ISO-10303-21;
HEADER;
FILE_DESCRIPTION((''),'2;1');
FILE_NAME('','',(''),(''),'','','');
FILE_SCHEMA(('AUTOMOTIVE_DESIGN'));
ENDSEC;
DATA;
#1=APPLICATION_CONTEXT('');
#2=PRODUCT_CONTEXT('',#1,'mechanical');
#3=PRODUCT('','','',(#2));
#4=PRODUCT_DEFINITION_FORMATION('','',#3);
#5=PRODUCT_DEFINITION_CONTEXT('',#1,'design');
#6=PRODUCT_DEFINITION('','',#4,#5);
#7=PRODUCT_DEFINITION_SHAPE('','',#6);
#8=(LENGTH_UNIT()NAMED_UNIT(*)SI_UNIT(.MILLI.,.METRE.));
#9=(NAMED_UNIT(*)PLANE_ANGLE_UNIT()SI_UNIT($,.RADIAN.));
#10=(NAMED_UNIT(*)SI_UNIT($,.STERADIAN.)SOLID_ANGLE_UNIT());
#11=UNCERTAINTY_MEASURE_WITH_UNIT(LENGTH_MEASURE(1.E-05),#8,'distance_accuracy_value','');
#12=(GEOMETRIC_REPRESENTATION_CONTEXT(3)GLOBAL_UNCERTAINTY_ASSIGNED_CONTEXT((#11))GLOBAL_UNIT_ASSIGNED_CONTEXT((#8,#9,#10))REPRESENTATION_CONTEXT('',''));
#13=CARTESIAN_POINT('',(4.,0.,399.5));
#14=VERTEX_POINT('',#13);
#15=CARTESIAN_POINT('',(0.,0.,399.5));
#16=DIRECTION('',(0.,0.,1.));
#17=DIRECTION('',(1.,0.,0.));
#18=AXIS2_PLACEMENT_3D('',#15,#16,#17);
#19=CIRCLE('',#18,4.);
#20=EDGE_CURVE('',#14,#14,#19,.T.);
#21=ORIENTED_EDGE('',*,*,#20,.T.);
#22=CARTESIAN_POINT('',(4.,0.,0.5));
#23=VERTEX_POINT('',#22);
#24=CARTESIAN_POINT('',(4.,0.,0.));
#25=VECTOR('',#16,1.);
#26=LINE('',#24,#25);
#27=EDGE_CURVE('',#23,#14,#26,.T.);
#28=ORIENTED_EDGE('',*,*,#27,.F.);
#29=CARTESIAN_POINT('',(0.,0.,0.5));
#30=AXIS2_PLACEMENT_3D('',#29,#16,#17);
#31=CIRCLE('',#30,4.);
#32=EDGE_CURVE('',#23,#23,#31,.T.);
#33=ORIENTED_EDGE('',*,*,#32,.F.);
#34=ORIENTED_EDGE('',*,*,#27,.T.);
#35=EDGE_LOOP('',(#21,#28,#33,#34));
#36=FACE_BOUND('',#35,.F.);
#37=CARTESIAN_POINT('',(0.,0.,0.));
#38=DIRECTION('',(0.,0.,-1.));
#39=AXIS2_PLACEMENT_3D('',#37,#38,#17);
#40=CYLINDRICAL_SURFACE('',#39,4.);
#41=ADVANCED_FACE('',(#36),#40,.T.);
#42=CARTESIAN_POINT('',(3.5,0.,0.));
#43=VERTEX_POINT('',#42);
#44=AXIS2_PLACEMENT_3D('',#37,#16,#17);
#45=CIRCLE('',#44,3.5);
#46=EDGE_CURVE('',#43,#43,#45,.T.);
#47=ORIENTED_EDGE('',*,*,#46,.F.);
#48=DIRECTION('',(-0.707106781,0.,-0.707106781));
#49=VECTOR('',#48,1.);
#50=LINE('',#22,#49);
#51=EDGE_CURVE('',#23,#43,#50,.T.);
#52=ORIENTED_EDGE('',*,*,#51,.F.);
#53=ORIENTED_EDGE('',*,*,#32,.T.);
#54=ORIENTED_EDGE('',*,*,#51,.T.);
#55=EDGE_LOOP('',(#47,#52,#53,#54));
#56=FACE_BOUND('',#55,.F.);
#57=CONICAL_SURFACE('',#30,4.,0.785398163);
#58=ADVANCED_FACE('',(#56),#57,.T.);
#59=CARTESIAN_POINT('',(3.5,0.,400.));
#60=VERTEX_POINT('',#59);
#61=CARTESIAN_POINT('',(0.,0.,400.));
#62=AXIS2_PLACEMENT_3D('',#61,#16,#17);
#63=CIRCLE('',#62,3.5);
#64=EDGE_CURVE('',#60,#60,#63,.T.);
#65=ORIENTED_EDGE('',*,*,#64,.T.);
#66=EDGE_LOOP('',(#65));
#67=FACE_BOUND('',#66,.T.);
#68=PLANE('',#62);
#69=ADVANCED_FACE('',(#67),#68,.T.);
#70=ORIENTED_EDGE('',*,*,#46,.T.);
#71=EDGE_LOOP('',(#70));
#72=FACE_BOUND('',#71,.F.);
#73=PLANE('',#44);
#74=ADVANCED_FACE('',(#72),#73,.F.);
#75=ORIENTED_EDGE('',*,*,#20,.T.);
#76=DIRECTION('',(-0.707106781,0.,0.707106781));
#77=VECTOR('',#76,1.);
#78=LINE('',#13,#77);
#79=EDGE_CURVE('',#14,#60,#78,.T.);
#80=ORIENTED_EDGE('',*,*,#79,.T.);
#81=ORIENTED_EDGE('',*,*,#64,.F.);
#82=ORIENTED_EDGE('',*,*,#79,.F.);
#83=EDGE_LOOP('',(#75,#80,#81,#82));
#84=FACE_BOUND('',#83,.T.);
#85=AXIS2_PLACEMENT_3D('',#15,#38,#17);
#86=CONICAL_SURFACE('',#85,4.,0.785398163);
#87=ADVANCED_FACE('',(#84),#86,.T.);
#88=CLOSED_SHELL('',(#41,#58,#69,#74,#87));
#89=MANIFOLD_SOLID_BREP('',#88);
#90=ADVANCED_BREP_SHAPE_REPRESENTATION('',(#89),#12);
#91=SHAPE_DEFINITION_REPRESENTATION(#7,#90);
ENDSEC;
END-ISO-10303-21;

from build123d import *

# Parameters (mm, degrees)
ESQUISSE1_R        = 4
BOSS_EXTRU_1_DEPTH = 400
CHANFREIN1_SIZE    = 0.5


with BuildPart() as part:
    # Esquisse1 → Boss.-Extru.1 (new body)
    with BuildSketch(Plane.XY):
        Circle(ESQUISSE1_R)
    extrude(amount=BOSS_EXTRU_1_DEPTH)

    # Chanfrein1
    chanfrein1_edges = [part.edges().sort_by_distance(p)[0] for p in [
        (-4, 0, 0),
        (-4, 0, 400),
    ]]
    chamfer(chanfrein1_edges, length=CHANFREIN1_SIZE)


solid = part.part
